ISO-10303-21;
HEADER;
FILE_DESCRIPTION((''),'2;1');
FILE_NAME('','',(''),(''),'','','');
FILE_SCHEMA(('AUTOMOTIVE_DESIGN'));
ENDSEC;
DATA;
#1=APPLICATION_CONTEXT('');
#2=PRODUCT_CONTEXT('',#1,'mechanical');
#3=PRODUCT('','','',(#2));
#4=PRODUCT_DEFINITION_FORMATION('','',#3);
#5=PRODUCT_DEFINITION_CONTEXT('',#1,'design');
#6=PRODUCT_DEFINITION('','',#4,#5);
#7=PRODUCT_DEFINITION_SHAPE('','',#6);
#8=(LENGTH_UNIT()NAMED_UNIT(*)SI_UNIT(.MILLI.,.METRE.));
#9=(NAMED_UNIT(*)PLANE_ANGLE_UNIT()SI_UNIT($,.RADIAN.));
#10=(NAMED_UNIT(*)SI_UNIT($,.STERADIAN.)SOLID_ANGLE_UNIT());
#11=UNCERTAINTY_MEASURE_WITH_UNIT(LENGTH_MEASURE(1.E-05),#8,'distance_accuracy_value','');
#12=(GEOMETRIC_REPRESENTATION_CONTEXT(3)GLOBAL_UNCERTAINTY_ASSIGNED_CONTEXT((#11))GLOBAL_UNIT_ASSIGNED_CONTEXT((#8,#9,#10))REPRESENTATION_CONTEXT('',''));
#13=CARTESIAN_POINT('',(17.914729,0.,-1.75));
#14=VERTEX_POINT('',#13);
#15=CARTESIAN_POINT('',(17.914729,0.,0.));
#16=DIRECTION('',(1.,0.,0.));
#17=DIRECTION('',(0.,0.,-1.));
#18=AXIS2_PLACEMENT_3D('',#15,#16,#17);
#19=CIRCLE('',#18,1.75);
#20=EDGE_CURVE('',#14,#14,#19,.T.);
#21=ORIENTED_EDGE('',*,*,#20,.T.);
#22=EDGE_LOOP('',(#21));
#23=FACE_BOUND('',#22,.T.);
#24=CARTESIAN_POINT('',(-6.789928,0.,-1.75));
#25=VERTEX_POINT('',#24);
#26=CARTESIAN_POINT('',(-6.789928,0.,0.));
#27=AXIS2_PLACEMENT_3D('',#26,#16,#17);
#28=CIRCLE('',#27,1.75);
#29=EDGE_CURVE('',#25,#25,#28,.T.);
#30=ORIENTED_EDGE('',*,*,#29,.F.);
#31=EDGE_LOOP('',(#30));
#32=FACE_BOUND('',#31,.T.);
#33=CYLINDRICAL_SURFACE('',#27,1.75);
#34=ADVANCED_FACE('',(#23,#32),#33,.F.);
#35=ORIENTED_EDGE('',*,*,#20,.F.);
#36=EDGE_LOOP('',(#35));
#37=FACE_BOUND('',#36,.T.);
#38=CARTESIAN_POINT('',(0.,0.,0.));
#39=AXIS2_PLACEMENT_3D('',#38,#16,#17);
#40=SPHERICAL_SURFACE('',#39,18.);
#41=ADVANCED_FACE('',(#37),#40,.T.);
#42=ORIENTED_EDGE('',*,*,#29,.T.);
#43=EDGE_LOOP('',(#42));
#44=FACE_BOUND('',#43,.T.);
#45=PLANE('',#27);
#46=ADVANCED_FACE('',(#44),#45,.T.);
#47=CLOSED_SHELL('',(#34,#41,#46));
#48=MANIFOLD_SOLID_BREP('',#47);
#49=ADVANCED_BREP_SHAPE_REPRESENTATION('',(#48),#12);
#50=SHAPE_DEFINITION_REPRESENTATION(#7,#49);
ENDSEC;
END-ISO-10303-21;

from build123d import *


with BuildPart() as part:
    # Croquis1 → Revolución2 (revolve)
    with BuildSketch(Plane(origin=(0, 0, 0), x_dir=(1, 0, 0), z_dir=(0, 1, 0))):
        with BuildLine():
            Line((-6.78992812, 0), (-18, 0))
            ThreePointArc((-18, 0), (-0.876038129, 17.978669506), (17.914728577, 1.75))
            Line((17.914728577, 1.75), (-6.78992812, 1.75))
            Line((-6.78992812, 1.75), (-6.78992812, 0))
        make_face()
    revolve(axis=Axis((-6.78992812, 0, 0), (-1, 0, 0)))


solid = part.part
